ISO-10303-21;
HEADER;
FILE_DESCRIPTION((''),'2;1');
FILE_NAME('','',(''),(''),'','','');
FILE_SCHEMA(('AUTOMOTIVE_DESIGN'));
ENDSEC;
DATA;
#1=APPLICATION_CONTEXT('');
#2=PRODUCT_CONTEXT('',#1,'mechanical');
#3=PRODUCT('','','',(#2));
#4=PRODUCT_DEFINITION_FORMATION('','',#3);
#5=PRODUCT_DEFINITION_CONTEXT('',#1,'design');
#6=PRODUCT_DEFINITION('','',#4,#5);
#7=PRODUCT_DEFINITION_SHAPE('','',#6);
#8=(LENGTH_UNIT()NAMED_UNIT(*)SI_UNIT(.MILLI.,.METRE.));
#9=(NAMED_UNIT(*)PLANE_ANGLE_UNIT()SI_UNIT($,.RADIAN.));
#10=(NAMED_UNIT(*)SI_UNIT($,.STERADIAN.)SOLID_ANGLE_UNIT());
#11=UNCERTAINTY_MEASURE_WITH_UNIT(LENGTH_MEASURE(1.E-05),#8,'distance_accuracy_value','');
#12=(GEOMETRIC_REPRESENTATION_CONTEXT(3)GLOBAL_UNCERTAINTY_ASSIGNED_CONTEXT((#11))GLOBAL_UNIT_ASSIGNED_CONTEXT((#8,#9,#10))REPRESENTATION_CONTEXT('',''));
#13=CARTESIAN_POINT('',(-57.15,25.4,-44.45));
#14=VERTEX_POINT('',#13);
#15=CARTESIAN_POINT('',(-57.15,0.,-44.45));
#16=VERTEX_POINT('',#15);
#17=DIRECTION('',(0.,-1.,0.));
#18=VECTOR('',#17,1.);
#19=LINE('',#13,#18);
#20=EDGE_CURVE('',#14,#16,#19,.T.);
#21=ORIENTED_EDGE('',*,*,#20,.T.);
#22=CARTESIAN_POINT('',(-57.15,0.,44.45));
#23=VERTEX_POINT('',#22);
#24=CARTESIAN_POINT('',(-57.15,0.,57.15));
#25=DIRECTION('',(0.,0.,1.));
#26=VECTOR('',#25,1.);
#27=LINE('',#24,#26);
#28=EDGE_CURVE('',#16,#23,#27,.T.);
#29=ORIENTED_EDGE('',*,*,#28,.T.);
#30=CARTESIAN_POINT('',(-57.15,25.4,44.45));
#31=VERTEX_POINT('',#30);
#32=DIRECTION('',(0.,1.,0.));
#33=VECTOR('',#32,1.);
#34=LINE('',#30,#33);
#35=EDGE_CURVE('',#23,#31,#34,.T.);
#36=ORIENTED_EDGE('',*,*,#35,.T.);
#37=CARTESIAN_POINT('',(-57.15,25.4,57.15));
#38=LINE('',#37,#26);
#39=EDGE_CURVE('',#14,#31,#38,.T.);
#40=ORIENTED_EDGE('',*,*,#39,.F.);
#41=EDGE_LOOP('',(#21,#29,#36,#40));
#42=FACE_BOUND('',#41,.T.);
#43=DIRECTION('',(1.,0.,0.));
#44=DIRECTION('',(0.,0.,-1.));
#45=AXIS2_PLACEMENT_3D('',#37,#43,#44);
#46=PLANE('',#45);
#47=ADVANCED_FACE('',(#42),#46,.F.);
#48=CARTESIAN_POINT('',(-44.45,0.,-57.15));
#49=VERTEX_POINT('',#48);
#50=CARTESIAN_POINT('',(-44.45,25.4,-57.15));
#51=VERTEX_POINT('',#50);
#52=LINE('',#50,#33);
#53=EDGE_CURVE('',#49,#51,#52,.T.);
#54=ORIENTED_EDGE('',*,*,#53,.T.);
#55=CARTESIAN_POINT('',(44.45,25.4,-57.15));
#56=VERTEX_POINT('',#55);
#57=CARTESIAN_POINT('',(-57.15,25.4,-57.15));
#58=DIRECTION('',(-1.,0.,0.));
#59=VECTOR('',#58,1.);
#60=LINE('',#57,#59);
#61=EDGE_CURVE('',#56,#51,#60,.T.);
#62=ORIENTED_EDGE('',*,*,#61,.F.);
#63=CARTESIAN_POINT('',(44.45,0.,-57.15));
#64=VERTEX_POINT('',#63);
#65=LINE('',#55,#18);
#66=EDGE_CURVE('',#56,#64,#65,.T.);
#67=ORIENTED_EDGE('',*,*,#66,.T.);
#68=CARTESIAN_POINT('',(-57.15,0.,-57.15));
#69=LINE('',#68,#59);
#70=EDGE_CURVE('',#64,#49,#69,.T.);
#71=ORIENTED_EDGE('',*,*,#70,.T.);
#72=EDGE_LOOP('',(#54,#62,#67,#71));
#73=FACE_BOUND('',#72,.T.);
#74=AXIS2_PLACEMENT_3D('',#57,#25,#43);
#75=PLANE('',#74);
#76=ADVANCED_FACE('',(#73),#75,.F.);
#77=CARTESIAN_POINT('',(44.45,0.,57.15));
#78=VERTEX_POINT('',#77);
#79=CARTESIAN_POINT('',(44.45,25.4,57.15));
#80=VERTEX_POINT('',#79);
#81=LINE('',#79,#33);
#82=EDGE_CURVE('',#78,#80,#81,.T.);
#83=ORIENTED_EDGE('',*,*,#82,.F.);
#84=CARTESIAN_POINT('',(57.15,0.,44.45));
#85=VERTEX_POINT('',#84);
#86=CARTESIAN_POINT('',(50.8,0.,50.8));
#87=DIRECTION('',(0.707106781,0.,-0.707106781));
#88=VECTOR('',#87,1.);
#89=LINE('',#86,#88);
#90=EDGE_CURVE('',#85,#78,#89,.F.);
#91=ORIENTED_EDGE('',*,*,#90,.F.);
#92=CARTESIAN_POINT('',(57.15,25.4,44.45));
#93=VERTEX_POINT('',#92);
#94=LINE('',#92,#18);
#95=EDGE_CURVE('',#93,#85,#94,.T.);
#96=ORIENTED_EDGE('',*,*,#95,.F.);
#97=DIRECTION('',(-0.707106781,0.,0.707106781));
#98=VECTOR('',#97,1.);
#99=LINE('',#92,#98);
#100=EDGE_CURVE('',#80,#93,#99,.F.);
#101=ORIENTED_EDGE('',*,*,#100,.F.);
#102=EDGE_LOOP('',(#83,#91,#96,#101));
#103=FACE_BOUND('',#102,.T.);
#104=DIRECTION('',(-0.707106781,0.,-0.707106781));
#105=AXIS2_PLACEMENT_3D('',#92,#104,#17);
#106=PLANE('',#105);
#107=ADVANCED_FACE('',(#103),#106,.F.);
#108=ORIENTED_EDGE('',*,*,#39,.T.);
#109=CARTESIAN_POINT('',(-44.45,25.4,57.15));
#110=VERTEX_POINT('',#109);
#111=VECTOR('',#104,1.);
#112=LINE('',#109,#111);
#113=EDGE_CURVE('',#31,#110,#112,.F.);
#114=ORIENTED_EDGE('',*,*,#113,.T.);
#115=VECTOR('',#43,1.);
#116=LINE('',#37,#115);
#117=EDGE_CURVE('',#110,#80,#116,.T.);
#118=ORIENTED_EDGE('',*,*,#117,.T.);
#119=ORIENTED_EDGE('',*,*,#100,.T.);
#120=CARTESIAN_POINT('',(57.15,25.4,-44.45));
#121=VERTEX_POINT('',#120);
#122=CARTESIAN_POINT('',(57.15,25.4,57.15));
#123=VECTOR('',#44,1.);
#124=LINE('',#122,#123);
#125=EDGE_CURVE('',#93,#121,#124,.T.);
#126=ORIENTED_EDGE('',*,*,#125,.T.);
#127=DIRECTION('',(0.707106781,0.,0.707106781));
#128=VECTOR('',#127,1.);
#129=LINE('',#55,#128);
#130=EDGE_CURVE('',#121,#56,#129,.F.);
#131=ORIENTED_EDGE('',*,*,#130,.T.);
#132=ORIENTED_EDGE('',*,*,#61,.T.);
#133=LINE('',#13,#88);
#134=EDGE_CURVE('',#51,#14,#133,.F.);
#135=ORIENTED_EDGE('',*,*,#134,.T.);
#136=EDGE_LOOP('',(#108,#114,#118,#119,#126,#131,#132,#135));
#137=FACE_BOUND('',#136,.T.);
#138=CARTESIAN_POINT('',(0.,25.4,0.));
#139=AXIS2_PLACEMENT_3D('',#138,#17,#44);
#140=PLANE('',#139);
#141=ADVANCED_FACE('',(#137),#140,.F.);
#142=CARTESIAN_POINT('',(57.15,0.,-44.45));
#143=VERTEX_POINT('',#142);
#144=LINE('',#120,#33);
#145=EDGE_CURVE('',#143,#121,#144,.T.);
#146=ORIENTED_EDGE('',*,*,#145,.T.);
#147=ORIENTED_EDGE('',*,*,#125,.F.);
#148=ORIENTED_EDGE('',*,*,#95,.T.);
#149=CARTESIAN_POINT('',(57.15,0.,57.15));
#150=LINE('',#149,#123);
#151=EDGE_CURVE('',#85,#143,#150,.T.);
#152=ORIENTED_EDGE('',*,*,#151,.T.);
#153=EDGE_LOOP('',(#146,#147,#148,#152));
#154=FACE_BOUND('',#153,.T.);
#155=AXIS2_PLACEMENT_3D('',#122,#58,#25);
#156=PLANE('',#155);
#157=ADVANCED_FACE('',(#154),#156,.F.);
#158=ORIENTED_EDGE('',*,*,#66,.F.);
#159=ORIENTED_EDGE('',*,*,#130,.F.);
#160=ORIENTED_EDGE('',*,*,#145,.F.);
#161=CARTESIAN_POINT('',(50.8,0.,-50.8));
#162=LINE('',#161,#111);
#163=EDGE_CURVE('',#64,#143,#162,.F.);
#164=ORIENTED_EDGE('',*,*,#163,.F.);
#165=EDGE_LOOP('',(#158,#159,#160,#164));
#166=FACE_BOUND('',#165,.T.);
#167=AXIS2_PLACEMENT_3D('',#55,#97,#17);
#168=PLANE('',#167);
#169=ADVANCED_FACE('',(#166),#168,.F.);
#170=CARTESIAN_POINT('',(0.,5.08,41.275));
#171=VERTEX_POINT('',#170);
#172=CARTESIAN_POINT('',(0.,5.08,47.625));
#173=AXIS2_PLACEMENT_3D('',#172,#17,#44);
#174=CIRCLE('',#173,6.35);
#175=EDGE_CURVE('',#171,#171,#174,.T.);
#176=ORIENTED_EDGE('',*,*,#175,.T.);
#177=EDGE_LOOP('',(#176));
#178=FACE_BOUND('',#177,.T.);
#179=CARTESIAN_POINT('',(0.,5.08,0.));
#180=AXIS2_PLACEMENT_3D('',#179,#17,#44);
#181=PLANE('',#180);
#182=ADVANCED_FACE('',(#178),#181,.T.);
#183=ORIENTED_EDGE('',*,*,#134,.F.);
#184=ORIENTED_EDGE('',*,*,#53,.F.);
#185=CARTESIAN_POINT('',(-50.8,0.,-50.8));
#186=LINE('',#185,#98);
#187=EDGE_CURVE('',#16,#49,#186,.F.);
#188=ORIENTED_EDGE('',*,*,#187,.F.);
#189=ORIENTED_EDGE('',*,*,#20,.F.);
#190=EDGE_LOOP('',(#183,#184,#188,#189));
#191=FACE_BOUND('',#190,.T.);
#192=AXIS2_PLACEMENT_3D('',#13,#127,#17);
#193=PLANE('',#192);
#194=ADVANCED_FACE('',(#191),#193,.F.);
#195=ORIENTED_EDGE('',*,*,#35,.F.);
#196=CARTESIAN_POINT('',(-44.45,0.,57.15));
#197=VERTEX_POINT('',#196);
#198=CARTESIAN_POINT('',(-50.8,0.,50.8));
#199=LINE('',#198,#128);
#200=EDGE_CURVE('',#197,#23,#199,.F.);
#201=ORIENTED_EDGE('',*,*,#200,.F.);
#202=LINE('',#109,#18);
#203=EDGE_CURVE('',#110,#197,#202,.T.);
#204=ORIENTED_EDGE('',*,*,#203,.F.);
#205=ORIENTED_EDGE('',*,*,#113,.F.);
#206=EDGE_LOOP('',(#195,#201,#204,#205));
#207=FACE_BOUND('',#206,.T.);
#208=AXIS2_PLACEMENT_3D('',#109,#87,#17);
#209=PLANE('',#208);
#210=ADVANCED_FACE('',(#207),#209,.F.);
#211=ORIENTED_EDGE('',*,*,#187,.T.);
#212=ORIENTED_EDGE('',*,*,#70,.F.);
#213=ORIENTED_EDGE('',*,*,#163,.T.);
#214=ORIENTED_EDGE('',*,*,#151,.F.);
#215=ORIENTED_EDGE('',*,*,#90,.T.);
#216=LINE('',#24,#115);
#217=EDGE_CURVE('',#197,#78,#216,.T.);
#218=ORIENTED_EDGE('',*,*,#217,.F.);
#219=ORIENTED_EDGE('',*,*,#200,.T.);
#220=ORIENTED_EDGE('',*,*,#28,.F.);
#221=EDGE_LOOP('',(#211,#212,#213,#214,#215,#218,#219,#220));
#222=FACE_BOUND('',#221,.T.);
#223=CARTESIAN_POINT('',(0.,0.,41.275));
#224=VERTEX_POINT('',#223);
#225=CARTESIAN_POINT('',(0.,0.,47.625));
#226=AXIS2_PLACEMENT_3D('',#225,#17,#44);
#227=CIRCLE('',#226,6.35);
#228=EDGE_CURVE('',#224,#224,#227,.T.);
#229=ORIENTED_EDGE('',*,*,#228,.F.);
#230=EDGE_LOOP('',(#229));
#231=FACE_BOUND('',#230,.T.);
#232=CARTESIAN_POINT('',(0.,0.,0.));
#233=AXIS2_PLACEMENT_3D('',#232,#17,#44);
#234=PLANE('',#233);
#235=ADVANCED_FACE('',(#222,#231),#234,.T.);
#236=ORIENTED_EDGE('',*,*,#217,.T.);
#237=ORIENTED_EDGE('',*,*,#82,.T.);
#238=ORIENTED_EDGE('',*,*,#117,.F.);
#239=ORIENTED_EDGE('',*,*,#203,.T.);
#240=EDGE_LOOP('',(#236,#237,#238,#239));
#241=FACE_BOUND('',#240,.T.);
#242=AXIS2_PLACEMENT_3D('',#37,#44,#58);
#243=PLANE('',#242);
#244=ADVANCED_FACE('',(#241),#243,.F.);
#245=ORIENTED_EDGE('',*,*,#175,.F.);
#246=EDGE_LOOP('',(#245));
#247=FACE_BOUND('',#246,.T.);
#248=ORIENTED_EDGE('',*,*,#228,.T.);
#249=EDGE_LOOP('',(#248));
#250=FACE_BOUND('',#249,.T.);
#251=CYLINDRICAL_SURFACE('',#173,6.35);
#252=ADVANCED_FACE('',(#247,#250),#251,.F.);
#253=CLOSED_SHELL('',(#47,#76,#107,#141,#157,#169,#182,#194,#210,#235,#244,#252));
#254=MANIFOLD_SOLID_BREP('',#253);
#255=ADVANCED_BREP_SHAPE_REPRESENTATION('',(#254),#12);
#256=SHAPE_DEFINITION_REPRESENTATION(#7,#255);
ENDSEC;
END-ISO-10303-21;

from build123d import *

# Parameters (mm, degrees)
SKETCH1_W           = 114.3
SKETCH1_H           = 114.3
BOSS_EXTRUDE1_DEPTH = 25.4
CHAMFER1_SIZE       = 12.7
SKETCH2_R           = 6.35
CUT_EXTRUDE1_DEPTH  = 5.08


with BuildPart() as part:
    # Sketch1 → Boss-Extrude1 (new body)
    with BuildSketch(Plane(origin=(0, 0, 0), x_dir=(1, 0, 0), z_dir=(0, 1, 0))):
        Rectangle(SKETCH1_W, SKETCH1_H)
    extrude(amount=BOSS_EXTRUDE1_DEPTH)

    # Chamfer1
    chamfer1_edges = [part.edges().sort_by_distance(p)[0] for p in [
        (57.15, 12.7, 57.15),
        (-57.15, 12.7, 57.15),
        (-57.15, 12.7, -57.15),
        (57.15, 12.7, -57.15),
    ]]
    chamfer(chamfer1_edges, length=CHAMFER1_SIZE)

    # Sketch2 → Cut-Extrude1 (cut)
    with BuildSketch(Plane(origin=(0, 0, 0), x_dir=(-1, 0, 0), z_dir=(0, -1, 0))):
        with Locations(Location((0, -47.625, 0), (0, 0, 90))):
            Circle(SKETCH2_R)
    extrude(amount=-CUT_EXTRUDE1_DEPTH, mode=Mode.SUBTRACT)


solid = part.part
